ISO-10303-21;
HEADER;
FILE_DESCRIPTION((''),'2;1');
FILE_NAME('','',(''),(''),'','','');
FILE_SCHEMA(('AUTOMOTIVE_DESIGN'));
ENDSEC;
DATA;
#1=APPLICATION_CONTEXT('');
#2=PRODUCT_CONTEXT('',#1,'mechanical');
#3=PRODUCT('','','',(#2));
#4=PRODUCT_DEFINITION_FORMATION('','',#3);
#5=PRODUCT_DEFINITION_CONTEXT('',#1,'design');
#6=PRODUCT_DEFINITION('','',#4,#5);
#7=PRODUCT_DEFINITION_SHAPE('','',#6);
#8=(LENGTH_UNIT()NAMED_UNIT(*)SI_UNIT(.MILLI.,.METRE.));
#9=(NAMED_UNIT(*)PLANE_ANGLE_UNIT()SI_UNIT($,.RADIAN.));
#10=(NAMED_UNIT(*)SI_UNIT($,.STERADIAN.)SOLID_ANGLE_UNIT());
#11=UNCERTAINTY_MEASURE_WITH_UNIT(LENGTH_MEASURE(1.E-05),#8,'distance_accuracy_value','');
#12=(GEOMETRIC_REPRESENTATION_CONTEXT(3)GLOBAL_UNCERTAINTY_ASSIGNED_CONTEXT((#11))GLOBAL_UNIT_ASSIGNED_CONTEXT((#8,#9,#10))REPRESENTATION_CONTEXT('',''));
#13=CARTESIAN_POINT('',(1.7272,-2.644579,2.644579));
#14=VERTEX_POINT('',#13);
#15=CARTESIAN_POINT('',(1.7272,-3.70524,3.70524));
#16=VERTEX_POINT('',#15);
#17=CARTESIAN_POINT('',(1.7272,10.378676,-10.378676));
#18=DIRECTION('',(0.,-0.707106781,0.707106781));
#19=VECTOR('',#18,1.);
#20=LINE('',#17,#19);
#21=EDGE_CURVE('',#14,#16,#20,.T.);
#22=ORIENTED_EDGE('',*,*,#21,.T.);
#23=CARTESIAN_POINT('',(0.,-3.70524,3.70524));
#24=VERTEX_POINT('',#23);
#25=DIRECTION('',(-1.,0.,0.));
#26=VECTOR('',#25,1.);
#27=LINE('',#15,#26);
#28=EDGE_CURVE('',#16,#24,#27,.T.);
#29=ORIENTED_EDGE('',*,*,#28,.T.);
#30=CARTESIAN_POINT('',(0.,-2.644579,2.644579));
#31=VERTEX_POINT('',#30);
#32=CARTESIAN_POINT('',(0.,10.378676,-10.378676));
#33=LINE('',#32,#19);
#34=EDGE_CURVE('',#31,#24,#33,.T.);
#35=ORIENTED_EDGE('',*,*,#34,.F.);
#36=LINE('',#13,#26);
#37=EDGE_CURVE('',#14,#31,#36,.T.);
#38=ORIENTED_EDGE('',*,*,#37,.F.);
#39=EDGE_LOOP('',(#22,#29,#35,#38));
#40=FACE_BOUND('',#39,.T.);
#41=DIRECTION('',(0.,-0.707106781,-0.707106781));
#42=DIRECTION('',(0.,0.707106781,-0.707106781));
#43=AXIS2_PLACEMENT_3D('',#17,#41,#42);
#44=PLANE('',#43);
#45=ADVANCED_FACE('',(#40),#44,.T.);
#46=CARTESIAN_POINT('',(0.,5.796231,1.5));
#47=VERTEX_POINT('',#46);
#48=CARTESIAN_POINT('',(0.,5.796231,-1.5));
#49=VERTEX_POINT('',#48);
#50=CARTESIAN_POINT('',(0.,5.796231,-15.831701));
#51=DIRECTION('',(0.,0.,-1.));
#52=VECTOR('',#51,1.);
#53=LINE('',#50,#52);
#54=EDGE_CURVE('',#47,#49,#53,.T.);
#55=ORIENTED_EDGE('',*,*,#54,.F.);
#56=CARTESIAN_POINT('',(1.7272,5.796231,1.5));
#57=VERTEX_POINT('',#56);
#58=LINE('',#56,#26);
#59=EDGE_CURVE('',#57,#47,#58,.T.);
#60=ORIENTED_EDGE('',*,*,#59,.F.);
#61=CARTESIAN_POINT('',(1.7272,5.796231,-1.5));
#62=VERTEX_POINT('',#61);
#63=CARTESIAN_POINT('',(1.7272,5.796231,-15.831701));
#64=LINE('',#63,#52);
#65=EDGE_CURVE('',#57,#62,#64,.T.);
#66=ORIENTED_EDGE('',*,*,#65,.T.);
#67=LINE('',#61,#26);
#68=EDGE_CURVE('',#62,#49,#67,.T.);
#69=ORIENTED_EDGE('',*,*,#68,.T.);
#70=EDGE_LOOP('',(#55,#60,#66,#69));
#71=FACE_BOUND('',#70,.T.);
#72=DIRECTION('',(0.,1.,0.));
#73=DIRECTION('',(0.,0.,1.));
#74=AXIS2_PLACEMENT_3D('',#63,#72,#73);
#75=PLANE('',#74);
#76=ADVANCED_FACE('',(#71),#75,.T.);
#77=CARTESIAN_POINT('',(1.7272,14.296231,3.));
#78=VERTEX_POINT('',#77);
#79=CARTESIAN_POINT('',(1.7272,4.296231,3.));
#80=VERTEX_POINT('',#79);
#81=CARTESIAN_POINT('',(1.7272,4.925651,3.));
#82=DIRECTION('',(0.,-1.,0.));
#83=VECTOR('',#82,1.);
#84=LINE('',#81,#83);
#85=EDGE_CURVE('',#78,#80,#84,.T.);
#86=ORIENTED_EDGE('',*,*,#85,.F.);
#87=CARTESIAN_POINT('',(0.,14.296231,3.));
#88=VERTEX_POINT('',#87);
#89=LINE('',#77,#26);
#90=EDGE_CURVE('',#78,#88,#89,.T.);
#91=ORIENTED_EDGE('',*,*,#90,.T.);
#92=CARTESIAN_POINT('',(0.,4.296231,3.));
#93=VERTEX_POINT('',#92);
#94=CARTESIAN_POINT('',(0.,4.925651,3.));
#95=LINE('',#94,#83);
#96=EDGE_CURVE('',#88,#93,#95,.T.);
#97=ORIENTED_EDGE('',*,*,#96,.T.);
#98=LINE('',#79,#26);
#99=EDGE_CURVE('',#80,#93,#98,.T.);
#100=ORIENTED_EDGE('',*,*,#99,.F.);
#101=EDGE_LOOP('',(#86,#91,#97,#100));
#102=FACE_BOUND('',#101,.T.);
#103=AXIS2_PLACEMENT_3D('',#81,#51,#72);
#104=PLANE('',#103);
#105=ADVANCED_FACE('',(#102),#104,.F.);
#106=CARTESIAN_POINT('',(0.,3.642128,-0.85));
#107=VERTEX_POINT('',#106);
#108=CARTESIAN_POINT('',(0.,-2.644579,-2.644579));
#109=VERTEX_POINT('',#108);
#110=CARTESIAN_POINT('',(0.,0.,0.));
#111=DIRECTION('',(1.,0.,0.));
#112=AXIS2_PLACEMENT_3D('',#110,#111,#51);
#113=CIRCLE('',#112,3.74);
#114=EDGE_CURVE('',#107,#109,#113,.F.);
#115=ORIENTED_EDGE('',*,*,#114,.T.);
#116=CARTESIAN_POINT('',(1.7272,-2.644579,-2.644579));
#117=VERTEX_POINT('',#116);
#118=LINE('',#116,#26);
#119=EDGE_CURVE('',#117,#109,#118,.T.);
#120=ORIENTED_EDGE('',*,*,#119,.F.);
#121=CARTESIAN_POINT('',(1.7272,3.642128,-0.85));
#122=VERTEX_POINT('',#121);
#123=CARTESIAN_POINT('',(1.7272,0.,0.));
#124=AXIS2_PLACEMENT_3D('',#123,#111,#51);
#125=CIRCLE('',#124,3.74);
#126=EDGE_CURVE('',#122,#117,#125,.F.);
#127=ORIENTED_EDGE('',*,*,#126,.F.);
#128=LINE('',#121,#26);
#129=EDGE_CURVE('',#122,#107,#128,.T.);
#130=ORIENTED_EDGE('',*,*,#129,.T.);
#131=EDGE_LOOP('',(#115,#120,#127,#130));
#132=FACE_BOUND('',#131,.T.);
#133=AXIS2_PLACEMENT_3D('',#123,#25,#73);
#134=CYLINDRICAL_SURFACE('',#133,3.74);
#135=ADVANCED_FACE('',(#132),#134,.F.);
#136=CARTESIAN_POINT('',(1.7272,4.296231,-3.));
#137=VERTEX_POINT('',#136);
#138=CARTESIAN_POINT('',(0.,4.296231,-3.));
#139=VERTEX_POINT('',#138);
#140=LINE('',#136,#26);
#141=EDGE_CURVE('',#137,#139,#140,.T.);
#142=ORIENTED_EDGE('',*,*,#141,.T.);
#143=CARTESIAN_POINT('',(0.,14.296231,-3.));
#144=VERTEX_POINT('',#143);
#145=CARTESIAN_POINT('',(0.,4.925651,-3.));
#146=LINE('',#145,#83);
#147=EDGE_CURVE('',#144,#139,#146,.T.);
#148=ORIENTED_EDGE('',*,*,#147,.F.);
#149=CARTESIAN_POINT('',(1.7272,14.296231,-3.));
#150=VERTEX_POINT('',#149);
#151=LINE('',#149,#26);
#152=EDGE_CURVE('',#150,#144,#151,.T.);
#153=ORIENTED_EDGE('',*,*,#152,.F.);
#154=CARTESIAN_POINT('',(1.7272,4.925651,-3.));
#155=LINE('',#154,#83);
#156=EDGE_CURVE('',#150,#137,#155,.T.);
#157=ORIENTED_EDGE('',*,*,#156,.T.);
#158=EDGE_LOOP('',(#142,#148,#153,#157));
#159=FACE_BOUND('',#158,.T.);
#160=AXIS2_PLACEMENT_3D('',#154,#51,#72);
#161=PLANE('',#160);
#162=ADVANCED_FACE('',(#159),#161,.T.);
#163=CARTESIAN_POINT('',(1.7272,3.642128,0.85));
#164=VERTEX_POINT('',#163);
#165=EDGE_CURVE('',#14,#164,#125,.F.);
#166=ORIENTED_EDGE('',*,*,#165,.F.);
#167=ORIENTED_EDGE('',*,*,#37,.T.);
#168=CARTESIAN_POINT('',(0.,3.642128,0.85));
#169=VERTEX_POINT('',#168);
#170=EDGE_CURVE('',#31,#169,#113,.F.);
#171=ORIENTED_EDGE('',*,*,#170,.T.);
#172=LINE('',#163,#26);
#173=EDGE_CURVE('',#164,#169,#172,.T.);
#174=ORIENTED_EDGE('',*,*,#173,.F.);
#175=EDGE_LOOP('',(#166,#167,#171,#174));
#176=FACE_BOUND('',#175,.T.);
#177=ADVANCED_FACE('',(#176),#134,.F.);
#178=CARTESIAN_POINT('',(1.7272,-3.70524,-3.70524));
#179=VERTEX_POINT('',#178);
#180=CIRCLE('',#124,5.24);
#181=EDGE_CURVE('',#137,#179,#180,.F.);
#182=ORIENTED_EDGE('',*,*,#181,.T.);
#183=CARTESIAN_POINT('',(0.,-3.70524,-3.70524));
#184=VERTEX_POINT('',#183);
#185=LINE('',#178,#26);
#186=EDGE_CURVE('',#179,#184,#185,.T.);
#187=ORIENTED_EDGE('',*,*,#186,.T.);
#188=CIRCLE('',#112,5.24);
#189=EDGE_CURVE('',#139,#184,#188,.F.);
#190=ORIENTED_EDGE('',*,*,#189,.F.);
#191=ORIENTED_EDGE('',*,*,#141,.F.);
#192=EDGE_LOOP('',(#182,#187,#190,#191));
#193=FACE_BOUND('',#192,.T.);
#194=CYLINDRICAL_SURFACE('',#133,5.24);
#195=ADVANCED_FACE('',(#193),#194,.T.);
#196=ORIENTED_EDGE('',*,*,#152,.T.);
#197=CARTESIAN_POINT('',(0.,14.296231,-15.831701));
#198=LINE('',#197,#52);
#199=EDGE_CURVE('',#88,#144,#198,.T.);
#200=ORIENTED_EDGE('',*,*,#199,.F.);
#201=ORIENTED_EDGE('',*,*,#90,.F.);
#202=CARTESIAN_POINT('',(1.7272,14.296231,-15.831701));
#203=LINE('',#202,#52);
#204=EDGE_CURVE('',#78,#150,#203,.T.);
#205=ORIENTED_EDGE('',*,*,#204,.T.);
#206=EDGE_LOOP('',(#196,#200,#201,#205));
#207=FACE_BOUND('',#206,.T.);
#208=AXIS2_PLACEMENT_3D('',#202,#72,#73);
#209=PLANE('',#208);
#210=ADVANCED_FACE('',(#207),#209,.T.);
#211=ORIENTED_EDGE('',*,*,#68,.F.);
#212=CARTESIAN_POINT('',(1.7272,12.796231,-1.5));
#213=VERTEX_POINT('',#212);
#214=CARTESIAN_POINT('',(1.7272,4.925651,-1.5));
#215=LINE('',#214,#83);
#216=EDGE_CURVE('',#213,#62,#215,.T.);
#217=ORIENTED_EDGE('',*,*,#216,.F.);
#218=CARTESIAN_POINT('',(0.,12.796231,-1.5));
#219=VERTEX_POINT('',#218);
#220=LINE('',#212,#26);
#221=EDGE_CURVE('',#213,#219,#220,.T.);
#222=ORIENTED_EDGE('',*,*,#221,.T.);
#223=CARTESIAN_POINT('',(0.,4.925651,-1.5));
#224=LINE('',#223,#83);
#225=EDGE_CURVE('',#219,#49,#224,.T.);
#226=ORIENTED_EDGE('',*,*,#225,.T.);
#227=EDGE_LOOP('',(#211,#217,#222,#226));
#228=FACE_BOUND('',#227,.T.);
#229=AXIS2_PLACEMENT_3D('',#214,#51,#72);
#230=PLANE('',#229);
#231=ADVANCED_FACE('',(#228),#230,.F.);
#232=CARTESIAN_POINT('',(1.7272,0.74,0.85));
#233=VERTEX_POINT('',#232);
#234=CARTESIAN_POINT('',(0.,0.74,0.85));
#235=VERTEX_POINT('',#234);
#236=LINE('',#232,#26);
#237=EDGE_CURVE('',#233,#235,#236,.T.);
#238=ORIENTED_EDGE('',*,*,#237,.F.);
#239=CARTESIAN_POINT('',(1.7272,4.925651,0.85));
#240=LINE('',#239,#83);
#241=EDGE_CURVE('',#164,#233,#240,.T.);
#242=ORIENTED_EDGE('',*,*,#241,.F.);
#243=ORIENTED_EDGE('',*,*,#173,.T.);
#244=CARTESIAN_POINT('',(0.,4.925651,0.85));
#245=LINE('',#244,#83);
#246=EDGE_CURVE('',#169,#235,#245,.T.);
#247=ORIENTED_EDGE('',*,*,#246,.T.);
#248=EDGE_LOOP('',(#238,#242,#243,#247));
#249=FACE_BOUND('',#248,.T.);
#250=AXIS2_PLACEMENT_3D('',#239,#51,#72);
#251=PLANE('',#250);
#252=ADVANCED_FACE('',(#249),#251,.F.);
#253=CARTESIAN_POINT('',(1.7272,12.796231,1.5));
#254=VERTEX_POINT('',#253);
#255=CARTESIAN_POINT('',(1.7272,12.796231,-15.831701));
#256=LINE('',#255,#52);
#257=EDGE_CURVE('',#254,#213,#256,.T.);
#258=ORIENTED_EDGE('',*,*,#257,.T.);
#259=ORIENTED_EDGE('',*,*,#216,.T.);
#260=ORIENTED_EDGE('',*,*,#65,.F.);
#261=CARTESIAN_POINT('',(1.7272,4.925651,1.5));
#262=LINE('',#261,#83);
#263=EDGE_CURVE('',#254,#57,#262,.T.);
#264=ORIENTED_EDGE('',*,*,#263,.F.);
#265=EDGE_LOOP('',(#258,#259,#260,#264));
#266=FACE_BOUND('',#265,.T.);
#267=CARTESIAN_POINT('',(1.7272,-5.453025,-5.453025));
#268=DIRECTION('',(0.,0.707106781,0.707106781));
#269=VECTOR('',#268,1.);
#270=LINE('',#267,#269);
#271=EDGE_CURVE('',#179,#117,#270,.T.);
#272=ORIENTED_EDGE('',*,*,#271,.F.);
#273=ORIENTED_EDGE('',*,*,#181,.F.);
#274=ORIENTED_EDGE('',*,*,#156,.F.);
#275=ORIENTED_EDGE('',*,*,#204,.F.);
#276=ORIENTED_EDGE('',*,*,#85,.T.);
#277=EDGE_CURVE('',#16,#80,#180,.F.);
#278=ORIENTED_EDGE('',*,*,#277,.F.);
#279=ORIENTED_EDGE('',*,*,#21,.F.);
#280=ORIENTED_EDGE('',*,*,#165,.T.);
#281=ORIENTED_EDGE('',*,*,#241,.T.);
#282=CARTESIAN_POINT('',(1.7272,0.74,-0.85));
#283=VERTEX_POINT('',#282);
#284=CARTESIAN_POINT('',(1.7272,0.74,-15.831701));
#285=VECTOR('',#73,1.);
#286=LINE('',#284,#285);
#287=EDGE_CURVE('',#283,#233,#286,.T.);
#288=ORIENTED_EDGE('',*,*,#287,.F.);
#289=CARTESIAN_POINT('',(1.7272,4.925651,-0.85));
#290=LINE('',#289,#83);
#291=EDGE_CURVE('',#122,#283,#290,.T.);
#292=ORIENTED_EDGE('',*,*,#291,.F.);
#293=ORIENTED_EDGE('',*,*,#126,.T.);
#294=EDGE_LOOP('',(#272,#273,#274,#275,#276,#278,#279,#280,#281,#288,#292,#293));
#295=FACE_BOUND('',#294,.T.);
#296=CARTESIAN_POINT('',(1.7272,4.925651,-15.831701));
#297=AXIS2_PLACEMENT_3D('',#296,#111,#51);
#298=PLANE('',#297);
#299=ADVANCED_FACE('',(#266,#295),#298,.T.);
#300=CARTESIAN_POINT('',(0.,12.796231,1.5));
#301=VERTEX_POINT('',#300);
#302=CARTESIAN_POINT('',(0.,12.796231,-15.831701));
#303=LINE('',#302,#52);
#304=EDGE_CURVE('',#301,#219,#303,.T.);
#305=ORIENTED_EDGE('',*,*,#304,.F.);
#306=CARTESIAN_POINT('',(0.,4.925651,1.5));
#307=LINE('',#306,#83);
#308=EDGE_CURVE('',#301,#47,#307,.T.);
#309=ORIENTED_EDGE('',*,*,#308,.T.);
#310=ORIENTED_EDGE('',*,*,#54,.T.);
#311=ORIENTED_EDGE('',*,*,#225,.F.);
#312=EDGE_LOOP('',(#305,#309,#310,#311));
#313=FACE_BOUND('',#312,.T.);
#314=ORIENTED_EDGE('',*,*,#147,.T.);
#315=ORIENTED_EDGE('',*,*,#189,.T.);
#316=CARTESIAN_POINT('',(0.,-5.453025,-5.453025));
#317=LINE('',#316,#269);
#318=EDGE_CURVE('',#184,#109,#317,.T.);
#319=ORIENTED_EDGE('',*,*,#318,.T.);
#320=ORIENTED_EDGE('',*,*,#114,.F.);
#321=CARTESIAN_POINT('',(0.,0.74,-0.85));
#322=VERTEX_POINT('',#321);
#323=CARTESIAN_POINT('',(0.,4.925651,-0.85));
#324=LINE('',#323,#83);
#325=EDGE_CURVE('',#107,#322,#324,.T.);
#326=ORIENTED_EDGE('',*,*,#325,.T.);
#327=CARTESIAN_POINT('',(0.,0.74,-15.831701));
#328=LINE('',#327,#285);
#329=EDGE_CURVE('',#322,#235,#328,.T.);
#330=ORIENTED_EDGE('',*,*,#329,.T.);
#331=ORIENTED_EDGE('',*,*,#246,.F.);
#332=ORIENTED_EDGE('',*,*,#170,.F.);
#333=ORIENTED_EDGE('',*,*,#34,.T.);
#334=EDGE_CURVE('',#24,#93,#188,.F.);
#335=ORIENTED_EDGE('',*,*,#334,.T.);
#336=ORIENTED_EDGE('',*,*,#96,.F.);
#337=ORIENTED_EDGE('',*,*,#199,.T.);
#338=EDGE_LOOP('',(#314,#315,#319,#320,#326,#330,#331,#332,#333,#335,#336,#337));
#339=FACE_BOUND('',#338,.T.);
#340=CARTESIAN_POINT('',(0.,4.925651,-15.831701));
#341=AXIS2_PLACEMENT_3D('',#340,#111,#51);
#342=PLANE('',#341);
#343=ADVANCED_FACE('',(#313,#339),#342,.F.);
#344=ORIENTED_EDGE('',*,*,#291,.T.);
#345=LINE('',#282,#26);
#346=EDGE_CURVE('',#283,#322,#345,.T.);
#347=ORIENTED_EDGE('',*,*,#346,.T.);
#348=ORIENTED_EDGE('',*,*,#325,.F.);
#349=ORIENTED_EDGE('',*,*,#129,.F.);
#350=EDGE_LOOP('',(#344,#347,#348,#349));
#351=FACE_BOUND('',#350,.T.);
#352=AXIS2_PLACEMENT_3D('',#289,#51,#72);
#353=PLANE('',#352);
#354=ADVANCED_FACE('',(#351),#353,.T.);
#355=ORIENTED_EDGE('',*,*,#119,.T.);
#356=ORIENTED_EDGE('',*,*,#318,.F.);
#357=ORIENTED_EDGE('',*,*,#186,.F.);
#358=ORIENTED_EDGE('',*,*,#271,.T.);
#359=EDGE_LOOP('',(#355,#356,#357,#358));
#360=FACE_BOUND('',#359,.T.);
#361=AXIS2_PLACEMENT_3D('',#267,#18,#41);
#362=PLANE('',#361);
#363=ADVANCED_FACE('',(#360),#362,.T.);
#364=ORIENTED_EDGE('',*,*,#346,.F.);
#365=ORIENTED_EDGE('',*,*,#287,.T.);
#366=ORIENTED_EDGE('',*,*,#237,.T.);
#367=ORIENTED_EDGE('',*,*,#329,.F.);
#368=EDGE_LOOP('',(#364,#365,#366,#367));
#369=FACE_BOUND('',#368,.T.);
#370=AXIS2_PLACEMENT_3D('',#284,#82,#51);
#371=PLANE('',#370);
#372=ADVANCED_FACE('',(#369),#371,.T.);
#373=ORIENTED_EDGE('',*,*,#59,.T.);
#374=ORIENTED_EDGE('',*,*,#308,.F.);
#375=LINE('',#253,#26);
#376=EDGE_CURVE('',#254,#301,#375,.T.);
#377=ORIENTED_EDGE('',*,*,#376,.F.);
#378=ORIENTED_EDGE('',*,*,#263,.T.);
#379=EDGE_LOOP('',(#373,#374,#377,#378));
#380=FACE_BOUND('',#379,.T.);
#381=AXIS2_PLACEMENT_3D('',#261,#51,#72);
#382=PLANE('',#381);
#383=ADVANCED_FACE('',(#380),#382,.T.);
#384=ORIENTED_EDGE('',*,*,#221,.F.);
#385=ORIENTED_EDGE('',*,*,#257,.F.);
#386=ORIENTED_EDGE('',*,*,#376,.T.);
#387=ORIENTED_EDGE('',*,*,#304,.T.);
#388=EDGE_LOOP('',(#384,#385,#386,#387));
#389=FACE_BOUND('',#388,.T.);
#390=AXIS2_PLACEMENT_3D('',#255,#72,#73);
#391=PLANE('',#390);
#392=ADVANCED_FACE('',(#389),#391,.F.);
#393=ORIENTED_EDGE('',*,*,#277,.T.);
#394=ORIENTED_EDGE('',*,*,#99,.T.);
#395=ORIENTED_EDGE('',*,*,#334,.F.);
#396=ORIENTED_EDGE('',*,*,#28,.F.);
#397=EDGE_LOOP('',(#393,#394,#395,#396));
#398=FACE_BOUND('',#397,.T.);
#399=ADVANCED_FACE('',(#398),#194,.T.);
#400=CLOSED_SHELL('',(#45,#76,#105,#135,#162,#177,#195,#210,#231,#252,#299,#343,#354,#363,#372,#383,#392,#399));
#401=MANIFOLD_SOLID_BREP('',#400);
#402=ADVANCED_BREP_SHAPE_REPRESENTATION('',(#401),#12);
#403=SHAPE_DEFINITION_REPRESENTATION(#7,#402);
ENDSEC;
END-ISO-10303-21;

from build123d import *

# Parameters (mm, degrees)
SKETCH1_W           = 3
SKETCH1_H           = 7
BOSS_EXTRUDE1_DEPTH = 1.7272


with BuildPart() as part:
    # Sketch1 → Boss-Extrude1 (new body)
    with BuildSketch(Plane(origin=(0, 0, 0), x_dir=(0, 0, -1), z_dir=(1, 0, 0))):
        with BuildLine():
            Line((-3.705239533, -3.705239533), (-2.644579362, -2.644579362))
            ThreePointArc((-2.644579362, -2.644579362), (-3.596344694, 1.026598676), (-0.85, 3.642128499))
            Line((-0.85, 3.642128499), (-0.85, 0.74))
            Line((-0.85, 0.74), (0.85, 0.74))
            Line((0.85, 0.74), (0.85, 3.642128499))
            ThreePointArc((0.85, 3.642128499), (3.596344694, 1.026598676), (2.644579362, -2.644579362))
            Line((2.644579362, -2.644579362), (3.705239533, -3.705239533))
            ThreePointArc((3.705239533, -3.705239533), (5.219764516, 0.460063475), (3, 4.296230906))
            Line((3, 4.296230906), (3, 14.296230906))
            Line((3, 14.296230906), (-3, 14.296230906))
            Line((-3, 14.296230906), (-3, 4.296230906))
            ThreePointArc((-3, 4.296230906), (-5.219764516, 0.460063475), (-3.705239533, -3.705239533))
        make_face()
        with Locations((0, 9.296230906)):
            Rectangle(SKETCH1_W, SKETCH1_H, mode=Mode.SUBTRACT)
    extrude(amount=BOSS_EXTRUDE1_DEPTH)


solid = part.part
